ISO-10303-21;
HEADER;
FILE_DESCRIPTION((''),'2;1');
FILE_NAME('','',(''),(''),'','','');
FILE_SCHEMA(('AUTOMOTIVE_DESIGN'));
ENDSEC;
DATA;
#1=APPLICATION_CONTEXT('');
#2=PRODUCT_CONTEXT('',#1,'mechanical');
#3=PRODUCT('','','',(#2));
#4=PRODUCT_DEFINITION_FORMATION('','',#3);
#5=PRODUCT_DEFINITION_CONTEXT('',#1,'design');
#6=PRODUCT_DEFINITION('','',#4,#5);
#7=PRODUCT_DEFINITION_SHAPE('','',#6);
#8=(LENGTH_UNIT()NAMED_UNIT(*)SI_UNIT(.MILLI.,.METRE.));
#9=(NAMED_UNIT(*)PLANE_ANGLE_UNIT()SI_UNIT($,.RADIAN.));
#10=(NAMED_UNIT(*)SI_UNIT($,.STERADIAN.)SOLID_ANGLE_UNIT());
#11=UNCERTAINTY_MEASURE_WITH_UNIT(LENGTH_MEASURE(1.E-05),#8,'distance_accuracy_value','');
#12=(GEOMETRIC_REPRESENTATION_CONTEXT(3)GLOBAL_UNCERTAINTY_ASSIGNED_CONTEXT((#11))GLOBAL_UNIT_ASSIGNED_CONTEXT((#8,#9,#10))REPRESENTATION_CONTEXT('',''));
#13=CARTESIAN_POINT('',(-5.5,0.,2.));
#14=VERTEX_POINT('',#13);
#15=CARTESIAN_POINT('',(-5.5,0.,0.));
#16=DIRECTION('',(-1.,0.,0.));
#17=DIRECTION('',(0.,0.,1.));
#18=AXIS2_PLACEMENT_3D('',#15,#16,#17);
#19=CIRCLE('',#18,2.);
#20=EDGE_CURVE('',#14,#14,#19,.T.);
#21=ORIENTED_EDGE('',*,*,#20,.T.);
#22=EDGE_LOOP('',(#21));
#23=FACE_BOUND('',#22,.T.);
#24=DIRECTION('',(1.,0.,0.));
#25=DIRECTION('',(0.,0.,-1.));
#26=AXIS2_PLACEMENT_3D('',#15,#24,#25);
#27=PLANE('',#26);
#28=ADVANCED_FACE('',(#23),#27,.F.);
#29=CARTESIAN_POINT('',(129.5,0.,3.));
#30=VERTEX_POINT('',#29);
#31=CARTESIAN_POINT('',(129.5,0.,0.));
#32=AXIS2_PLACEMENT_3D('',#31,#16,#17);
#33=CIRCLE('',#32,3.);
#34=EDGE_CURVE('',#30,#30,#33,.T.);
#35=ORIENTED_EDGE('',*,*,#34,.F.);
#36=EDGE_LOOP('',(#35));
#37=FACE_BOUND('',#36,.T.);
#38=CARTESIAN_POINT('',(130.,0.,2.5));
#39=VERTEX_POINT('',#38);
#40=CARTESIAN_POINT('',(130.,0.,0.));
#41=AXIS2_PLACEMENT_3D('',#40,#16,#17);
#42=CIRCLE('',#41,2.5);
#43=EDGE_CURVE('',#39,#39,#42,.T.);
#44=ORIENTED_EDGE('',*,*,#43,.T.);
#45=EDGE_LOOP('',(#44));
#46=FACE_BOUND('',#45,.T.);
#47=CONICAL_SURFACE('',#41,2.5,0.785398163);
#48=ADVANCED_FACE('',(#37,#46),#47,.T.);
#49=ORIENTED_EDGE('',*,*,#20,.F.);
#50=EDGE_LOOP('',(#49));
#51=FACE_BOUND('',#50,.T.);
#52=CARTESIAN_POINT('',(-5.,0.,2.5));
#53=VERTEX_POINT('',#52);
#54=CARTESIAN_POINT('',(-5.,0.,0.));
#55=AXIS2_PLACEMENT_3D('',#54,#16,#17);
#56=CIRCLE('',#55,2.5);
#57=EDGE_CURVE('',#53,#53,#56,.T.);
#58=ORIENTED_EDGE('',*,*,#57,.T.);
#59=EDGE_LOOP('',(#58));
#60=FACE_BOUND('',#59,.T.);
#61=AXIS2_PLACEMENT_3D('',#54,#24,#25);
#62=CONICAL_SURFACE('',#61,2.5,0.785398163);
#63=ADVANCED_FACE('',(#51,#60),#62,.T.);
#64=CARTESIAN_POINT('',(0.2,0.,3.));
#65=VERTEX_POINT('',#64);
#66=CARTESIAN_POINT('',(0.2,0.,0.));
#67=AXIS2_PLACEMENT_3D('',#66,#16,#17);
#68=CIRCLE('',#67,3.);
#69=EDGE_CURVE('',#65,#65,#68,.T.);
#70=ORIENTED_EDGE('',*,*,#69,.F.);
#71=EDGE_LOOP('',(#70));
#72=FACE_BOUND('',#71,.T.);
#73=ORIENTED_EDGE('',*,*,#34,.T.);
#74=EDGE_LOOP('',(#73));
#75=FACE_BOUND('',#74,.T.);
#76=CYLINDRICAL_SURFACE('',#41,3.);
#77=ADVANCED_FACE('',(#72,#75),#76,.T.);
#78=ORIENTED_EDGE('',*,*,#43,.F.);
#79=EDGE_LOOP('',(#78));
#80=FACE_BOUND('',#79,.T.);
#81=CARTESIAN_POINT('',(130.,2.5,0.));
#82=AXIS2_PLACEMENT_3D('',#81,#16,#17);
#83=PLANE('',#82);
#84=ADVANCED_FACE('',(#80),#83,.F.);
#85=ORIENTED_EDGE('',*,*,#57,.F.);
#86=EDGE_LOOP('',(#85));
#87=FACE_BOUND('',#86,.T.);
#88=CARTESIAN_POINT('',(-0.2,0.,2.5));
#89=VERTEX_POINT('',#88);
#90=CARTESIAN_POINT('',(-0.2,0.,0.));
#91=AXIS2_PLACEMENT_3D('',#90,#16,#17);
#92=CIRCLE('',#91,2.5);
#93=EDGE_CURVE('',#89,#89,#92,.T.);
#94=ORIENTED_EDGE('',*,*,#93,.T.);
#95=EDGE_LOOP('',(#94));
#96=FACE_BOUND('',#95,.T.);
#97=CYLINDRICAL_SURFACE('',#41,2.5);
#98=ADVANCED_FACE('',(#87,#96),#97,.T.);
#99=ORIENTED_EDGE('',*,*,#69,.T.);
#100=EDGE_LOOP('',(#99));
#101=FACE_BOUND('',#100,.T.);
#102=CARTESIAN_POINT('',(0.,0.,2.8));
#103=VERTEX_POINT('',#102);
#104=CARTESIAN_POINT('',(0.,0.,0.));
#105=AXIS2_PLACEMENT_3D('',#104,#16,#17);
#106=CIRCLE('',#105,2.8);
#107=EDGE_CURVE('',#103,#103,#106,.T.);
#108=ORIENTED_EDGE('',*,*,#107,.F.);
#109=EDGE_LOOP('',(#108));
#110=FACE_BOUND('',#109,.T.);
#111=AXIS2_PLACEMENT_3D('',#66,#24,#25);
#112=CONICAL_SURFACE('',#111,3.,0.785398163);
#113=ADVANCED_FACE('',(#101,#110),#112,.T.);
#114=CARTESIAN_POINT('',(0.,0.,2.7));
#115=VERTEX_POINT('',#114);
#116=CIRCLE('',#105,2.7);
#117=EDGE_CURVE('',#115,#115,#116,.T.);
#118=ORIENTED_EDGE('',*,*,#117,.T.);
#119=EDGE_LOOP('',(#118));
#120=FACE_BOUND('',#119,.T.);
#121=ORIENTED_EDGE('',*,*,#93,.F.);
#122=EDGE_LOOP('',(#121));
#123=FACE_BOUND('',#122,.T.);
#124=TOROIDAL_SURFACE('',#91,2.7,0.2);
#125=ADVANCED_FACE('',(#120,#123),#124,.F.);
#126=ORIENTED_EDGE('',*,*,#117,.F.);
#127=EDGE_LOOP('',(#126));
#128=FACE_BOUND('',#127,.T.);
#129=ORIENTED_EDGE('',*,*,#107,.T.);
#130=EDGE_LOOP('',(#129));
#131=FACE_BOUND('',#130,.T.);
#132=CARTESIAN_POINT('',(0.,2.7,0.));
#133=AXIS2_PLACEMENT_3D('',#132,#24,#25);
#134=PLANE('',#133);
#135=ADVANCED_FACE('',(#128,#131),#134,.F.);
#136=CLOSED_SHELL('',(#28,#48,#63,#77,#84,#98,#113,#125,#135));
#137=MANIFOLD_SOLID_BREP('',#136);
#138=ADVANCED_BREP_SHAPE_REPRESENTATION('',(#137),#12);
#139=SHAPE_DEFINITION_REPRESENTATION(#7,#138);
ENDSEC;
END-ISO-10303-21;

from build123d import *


with BuildPart() as part:
    # Sketch1 → Revolve1 (revolve)
    with BuildSketch(Plane.XY, mode=Mode.PRIVATE) as revolve1_sk:
        with BuildLine():
            Line((-5.5, 0), (-5.5, 2))
            Line((-5.5, 2), (-5, 2.5))
            Line((-5, 2.5), (-0.2, 2.5))
            ThreePointArc((-0.2, 2.5), (-0.058578644, 2.558578644), (0, 2.7))
            Line((0, 2.7), (0, 2.8))
            Line((0, 2.8), (0.2, 3))
            Line((0.2, 3), (129.5, 3))
            Line((129.5, 3), (130, 2.5))
            Line((130, 2.5), (130, 0))
            Line((130, 0), (-5.5, 0))
        make_face()
    revolve(revolve1_sk.sketch.rotate(Axis((130, 0, 0), (-1, 0, 0)), 270), axis=Axis((130, 0, 0), (-1, 0, 0)))


solid = part.part
